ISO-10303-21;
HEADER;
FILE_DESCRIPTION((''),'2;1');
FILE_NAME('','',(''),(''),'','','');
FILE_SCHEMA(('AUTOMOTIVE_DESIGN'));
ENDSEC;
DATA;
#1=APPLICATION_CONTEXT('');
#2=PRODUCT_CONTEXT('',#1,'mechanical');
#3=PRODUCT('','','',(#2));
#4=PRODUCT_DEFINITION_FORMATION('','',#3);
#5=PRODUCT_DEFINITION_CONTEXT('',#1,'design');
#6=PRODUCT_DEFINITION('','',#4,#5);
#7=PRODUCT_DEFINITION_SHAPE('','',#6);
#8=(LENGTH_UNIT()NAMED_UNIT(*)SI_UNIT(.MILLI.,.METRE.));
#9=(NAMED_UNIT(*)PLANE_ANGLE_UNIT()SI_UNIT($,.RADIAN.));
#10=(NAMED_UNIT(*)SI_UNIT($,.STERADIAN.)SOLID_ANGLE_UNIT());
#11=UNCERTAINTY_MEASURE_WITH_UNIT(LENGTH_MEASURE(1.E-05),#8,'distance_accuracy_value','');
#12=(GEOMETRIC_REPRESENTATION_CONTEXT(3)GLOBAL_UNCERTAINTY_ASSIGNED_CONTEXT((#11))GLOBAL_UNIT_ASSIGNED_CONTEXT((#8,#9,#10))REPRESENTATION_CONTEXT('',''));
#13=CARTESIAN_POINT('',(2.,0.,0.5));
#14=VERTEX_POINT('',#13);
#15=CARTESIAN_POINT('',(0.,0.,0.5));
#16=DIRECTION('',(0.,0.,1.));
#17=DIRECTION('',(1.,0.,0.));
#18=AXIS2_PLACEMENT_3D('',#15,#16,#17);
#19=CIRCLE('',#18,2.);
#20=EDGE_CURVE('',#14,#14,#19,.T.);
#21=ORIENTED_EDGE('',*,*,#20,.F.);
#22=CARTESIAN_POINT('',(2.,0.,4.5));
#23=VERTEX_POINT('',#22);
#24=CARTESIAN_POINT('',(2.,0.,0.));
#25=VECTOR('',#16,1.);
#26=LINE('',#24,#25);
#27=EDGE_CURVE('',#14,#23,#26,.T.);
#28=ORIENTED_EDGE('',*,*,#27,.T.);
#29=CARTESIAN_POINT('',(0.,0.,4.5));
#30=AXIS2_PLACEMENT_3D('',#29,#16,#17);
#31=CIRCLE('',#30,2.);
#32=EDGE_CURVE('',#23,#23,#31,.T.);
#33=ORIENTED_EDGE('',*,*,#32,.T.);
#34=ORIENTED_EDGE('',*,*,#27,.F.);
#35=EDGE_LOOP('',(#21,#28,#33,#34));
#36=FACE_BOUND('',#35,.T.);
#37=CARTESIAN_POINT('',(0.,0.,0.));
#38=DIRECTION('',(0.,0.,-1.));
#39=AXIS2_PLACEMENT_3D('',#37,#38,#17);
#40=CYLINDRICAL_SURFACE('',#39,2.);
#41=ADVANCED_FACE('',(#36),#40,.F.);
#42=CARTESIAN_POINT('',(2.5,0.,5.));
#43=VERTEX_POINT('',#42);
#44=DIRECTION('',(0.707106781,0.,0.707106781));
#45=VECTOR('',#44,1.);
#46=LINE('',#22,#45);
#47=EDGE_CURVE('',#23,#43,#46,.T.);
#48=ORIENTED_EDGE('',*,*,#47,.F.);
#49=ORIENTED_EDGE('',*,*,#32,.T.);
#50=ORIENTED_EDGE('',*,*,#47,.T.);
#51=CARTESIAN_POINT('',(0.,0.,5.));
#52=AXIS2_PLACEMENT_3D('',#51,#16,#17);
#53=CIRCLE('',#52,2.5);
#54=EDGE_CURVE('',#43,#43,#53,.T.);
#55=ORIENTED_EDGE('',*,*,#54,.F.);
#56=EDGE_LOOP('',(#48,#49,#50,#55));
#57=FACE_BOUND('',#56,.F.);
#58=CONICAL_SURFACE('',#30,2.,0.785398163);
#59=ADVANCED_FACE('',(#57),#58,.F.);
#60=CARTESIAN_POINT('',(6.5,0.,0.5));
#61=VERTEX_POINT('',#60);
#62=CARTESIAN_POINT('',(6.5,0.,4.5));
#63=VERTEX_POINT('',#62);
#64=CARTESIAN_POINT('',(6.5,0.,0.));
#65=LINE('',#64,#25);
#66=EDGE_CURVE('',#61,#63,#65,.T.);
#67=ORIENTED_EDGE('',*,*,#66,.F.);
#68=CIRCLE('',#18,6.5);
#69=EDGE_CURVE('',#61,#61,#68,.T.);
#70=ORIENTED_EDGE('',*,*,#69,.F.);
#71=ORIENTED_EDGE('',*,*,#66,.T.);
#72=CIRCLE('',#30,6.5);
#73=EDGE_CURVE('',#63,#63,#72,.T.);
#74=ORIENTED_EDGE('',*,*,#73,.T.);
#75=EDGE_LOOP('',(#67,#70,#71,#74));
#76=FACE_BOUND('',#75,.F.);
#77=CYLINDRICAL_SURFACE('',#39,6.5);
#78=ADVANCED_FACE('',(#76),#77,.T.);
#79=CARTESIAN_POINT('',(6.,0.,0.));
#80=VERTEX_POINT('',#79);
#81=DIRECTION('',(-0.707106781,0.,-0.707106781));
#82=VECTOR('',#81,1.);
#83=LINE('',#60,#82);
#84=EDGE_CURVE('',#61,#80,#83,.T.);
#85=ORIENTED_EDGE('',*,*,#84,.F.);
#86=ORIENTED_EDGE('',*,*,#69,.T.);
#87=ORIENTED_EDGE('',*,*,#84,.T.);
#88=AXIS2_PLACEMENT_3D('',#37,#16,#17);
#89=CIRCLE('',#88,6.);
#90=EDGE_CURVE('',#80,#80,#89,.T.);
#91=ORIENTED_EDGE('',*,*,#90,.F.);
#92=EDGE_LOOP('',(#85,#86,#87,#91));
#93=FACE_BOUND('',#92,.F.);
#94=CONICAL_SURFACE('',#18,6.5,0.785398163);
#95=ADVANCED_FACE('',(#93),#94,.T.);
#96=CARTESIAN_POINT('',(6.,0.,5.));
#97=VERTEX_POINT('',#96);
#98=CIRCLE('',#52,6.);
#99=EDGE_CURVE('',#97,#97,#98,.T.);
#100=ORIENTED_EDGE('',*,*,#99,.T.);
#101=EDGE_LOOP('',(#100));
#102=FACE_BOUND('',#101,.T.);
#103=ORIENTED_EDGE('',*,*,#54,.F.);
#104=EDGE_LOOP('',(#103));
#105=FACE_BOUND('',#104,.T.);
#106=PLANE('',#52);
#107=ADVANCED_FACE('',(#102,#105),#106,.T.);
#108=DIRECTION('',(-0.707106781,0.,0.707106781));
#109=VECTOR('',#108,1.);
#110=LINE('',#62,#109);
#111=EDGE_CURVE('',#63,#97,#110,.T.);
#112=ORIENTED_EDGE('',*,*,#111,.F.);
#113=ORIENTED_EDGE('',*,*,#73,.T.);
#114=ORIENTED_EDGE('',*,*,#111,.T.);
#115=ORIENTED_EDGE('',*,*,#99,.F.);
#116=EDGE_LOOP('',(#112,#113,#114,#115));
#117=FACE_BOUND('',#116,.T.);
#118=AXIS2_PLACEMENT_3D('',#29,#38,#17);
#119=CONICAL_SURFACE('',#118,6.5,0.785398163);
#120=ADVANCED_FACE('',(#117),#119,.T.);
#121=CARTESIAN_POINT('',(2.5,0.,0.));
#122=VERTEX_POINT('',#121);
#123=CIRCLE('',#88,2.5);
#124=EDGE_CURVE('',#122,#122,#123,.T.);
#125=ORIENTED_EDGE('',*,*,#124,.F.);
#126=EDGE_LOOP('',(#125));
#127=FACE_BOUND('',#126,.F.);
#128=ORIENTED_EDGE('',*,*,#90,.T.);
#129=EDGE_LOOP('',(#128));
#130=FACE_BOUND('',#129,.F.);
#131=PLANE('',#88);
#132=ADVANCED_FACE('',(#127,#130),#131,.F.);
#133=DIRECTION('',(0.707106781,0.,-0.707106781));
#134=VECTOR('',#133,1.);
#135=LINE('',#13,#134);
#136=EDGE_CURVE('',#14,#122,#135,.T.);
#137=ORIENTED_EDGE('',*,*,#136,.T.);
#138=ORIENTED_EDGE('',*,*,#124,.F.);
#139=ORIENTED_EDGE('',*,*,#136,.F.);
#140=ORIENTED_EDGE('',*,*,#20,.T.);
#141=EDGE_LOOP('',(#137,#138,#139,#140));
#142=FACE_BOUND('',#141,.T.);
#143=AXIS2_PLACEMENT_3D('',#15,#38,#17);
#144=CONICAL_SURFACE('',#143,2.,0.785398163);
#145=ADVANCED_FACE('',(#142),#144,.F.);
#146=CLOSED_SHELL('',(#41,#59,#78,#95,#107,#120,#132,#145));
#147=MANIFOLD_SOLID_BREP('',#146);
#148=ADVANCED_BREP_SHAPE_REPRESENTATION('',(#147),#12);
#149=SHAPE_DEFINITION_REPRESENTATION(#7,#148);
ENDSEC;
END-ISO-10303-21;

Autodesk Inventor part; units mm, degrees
ref_plane "YZ Plane" through (0, 0, 0) normal (1, 0, 0) x (0, 1, 0)
ref_plane "XZ Plane" through (0, 0, 0) normal (0, 1, 0) x (-1, 0, 0)
ref_plane "XY Plane" through (0, 0, 0) normal (0, 0, 1) x (1, 0, 0)
sketch "Sketch1" plane through (0, 0, 0) normal (0, 0, 1) x (1, 0, 0)
  circle A0 centre (0, 0) radius 2
  circle A1 centre (0, 0) radius 6.5
  dimension "d0" = 4
  dimension "d1" = 13
extrude "Extrusion1" add sketch "Sketch1" along normal blind 5
chamfer "Chamfer1" distance 0.5 angle 45 4 edges at (-6.5, 0, 5) (-6.5, 0, 0) (-2, 0, 5) (-2, 0, 0)
properties part number "624Bearing"
